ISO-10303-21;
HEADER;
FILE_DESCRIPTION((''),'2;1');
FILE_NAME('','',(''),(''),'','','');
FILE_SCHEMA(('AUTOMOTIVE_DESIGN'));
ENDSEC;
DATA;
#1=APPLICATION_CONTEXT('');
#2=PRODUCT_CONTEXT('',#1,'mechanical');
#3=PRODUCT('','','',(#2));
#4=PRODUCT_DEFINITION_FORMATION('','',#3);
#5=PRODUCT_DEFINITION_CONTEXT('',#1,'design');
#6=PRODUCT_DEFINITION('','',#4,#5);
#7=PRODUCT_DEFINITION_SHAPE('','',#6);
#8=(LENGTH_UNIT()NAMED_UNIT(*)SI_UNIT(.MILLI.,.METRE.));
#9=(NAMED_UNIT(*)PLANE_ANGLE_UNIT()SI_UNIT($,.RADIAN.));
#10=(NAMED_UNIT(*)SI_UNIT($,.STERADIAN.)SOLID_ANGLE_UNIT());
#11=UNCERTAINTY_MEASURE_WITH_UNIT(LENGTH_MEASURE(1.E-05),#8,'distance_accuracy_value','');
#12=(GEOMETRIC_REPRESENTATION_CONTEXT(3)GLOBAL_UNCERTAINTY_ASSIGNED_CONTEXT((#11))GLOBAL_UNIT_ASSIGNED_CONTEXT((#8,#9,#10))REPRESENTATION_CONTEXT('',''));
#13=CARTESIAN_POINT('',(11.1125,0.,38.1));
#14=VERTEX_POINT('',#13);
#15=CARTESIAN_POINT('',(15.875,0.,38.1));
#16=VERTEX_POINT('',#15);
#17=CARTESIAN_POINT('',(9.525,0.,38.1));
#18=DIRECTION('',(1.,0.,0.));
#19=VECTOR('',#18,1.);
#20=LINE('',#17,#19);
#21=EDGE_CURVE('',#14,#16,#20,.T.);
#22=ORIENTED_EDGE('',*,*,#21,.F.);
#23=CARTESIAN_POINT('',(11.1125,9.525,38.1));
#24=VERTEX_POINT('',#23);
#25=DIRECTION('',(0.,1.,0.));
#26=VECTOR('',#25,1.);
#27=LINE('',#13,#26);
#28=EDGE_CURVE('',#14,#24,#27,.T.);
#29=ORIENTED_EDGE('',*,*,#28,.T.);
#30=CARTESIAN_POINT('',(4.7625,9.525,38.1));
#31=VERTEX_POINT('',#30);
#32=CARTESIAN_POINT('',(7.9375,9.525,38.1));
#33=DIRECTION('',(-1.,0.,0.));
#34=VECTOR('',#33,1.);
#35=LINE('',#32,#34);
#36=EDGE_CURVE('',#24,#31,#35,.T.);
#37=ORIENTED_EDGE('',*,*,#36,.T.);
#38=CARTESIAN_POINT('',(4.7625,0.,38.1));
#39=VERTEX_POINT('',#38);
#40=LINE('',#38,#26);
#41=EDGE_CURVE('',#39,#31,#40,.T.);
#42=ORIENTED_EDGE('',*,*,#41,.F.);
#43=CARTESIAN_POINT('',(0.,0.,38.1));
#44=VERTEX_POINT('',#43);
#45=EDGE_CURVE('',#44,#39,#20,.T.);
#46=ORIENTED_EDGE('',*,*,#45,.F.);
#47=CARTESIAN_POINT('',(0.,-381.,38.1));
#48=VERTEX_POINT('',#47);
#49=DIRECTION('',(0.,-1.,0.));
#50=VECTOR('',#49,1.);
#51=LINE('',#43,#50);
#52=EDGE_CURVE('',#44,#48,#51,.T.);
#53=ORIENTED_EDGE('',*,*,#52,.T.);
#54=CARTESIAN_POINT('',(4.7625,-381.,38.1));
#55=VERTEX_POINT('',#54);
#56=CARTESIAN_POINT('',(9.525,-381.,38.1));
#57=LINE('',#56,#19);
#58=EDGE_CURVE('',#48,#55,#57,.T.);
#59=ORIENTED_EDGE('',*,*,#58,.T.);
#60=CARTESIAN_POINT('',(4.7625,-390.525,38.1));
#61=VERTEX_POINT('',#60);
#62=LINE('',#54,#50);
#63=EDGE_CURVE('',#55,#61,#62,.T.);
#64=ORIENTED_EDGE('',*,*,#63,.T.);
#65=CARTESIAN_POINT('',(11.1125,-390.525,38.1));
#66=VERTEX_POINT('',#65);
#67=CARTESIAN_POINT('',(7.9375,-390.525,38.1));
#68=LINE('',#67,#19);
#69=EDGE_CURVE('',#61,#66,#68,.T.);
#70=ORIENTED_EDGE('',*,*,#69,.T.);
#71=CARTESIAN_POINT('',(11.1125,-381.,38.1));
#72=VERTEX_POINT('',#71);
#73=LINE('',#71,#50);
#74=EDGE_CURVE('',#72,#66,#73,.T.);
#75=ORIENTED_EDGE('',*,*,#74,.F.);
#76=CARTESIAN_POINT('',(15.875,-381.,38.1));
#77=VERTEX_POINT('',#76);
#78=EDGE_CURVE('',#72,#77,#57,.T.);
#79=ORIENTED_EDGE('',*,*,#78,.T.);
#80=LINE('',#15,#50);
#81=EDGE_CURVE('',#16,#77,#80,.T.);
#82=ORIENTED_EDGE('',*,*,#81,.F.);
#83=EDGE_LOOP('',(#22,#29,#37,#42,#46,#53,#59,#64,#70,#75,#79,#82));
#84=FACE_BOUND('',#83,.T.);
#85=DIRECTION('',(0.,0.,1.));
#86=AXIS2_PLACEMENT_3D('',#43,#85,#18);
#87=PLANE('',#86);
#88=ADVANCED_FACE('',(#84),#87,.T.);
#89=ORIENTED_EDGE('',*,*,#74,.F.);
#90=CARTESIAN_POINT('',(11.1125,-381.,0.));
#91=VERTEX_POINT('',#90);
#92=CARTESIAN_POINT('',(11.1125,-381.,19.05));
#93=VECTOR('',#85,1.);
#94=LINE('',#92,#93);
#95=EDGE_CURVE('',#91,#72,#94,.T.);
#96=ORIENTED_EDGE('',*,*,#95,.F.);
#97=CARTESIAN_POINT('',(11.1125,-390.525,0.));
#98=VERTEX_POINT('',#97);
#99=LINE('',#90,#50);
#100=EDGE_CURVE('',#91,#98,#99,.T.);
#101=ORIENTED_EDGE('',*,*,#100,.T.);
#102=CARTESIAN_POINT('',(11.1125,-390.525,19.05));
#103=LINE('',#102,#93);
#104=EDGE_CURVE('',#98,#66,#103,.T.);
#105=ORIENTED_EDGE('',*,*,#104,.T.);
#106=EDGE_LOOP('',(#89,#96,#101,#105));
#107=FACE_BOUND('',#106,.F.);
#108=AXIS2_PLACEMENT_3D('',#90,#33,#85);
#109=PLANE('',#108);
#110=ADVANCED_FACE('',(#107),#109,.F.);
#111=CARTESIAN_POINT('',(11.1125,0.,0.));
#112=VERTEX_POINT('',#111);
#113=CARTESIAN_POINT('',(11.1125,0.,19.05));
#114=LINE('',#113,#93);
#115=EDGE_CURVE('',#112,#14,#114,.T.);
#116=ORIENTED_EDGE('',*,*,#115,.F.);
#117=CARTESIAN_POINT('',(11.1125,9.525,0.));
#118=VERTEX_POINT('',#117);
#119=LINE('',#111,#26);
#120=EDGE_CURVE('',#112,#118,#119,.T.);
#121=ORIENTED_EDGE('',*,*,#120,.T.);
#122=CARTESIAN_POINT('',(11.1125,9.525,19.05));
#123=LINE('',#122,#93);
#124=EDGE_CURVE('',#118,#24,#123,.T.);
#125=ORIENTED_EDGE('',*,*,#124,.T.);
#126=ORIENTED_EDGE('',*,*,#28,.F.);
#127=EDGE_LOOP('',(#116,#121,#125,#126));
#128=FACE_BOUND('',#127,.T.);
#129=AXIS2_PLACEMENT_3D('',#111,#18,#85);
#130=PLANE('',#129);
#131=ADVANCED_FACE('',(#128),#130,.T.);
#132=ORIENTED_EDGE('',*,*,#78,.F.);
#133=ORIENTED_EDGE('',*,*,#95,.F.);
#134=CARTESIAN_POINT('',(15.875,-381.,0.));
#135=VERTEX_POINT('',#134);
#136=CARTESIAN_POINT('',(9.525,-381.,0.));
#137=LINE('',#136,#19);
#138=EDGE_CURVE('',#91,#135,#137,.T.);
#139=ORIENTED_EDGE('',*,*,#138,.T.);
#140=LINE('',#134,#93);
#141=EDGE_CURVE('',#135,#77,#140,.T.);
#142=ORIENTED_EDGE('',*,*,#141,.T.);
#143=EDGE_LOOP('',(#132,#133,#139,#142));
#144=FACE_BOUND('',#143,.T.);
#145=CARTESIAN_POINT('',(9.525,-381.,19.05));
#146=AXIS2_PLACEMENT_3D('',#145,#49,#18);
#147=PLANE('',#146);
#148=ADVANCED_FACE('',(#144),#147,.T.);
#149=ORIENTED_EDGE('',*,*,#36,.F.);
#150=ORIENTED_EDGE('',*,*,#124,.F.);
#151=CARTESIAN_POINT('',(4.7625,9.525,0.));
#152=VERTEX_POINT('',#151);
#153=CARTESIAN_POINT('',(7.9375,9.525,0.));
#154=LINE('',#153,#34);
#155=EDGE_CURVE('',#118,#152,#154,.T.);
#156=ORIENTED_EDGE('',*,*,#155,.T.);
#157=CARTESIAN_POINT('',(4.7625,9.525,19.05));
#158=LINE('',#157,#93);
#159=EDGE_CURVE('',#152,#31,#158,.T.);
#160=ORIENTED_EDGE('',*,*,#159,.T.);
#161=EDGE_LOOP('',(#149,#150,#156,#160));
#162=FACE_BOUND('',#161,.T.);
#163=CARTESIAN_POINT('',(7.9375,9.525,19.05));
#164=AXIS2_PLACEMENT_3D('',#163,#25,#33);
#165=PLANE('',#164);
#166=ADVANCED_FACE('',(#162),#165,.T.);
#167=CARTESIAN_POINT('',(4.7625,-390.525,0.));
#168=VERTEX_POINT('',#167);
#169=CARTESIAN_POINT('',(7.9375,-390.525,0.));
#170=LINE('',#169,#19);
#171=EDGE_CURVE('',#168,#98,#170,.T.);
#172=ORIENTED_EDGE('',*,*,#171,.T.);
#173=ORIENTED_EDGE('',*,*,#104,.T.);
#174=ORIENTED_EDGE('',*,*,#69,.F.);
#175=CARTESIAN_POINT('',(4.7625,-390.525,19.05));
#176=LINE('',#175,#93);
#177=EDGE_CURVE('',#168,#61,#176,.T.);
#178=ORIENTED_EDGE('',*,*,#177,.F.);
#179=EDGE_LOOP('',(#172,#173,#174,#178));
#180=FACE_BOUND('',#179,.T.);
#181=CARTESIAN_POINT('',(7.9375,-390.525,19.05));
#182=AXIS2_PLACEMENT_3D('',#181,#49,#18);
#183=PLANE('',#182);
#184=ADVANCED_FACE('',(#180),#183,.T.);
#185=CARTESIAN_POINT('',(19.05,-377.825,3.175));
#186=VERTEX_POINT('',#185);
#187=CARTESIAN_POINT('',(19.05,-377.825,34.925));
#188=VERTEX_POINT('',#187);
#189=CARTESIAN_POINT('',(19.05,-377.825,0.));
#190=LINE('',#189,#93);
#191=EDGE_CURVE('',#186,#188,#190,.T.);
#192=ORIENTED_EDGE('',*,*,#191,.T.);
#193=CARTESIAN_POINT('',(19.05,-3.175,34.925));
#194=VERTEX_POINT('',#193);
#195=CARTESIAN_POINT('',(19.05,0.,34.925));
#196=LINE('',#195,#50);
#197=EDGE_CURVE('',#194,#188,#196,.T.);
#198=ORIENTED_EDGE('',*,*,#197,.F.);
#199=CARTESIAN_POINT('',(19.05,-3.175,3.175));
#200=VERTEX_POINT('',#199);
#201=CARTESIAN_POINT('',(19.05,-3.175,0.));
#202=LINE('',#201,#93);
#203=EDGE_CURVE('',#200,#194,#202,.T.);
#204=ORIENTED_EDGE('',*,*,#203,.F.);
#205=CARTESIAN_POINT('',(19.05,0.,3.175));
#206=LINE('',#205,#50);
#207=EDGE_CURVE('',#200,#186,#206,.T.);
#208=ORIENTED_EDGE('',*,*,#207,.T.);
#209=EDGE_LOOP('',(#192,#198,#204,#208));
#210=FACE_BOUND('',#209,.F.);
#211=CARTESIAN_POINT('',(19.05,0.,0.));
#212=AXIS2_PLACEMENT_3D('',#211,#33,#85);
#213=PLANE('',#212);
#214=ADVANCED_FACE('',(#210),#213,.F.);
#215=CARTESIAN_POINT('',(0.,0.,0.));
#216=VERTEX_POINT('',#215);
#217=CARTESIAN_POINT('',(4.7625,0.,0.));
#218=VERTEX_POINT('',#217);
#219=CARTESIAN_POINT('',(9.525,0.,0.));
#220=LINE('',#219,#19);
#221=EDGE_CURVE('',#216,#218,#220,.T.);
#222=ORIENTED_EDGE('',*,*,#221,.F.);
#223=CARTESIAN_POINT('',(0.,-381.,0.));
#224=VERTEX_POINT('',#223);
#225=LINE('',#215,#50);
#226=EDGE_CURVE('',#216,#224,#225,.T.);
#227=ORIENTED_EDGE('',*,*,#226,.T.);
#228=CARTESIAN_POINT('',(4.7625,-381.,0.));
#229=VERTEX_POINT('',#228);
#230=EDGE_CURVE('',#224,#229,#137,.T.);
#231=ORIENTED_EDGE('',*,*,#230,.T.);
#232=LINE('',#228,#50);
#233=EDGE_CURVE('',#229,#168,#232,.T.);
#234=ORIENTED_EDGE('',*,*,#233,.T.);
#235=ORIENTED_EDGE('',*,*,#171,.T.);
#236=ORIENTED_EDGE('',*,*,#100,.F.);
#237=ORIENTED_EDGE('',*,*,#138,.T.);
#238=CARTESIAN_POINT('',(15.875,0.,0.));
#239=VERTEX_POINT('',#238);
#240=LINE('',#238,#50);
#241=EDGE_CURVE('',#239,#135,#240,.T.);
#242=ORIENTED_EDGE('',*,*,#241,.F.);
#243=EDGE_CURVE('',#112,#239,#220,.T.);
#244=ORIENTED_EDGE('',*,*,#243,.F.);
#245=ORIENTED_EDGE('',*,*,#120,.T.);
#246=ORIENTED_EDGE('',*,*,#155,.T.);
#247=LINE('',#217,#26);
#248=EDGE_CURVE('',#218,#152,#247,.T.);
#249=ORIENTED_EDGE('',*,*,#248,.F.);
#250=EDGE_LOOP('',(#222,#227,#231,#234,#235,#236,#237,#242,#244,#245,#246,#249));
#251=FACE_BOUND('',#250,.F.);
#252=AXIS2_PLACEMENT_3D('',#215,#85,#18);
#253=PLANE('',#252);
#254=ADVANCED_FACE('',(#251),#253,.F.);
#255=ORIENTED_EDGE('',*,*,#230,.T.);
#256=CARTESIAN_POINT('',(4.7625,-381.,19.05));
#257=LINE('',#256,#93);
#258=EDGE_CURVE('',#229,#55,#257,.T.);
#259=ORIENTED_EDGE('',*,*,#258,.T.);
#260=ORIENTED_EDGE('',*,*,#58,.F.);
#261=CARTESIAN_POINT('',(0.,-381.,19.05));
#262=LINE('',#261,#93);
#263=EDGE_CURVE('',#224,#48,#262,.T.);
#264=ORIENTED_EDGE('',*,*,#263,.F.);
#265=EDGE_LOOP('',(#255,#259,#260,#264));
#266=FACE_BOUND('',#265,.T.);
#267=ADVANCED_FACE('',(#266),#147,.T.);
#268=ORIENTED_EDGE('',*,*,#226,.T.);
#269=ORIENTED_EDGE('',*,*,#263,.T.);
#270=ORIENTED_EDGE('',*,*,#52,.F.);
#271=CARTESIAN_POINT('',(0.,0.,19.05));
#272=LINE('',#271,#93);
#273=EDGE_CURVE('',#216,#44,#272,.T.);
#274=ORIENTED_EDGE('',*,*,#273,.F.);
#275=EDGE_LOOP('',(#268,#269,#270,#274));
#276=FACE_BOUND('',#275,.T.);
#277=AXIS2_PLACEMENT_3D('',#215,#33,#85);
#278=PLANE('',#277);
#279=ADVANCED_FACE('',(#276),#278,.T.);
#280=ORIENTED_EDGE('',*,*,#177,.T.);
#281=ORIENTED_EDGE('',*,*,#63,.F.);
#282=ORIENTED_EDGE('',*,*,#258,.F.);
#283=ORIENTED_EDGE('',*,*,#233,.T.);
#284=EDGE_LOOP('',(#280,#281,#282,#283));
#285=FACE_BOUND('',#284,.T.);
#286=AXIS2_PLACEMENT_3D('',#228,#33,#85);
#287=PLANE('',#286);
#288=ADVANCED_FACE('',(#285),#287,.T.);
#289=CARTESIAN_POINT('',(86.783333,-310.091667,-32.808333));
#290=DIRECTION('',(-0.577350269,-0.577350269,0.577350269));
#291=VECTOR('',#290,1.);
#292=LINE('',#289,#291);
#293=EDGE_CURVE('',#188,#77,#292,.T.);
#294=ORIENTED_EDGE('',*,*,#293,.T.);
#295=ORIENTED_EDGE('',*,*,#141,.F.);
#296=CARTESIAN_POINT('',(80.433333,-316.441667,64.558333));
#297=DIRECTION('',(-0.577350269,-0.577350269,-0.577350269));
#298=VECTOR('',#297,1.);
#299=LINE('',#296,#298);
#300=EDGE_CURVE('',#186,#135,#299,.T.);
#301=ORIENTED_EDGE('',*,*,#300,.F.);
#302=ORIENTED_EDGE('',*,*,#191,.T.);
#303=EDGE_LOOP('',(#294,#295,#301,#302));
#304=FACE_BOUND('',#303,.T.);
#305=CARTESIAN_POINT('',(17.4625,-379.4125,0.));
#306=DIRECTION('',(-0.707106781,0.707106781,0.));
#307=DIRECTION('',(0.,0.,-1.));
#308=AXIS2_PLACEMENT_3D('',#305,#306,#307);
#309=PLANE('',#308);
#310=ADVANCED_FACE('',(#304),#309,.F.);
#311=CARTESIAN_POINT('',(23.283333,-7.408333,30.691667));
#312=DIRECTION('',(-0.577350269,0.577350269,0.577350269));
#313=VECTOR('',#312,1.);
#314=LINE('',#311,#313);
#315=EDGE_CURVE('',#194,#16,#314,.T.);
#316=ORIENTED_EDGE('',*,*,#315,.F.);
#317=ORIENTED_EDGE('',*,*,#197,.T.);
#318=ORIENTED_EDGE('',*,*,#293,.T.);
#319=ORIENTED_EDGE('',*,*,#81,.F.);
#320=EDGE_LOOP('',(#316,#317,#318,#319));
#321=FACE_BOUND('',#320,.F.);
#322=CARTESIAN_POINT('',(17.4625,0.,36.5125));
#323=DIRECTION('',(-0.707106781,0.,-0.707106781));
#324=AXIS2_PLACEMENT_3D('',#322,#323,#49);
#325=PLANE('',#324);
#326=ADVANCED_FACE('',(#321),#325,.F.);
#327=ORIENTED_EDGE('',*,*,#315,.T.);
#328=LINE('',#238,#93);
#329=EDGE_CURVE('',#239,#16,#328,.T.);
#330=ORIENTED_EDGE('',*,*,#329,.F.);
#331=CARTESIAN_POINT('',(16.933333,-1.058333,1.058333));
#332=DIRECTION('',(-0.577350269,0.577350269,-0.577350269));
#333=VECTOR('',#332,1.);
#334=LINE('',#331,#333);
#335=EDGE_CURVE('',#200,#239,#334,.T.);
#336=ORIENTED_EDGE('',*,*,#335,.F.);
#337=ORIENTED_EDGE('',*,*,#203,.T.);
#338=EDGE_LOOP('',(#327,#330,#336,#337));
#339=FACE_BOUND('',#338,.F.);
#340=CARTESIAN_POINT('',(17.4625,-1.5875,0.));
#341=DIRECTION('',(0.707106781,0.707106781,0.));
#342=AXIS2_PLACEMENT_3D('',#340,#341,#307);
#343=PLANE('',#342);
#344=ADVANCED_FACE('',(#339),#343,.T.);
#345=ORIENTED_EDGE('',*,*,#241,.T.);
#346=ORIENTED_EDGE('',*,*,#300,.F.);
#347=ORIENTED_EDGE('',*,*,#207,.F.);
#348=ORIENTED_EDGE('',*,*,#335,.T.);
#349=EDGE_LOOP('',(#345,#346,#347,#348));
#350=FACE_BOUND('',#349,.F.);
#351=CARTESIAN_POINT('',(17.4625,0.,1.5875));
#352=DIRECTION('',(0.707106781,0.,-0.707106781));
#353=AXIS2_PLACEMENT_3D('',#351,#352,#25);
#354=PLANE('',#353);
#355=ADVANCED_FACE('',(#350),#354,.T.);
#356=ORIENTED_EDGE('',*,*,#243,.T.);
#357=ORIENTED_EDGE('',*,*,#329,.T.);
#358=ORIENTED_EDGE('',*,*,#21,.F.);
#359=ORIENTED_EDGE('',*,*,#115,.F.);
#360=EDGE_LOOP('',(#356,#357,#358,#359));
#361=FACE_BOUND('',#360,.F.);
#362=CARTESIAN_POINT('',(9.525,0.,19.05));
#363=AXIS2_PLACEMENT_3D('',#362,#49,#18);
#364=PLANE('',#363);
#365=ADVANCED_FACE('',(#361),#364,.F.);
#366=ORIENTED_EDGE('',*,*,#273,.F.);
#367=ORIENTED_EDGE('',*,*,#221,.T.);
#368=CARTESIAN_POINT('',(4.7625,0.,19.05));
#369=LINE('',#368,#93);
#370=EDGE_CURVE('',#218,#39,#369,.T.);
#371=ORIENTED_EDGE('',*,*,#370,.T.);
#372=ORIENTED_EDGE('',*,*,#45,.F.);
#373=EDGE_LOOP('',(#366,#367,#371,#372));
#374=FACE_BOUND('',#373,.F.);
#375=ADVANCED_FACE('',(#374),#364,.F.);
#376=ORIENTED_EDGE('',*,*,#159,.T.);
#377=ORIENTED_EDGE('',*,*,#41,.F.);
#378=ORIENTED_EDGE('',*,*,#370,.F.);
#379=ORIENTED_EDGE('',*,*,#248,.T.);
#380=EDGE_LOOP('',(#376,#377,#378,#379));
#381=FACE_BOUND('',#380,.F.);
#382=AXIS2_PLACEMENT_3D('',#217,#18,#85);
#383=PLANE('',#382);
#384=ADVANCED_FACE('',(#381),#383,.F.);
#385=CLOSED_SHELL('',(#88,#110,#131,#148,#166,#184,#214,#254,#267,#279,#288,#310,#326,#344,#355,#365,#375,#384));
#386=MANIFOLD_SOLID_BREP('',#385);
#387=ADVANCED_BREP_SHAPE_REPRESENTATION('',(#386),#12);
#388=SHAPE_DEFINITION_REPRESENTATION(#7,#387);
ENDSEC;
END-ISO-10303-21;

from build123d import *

# Parameters (mm, degrees)
F0_W     = 19.05
F0_H     = 38.1
F1_DEPTH = 381
F2_SIZE  = 3.175
F3_W     = 6.35
F3_H     = 38.1
F4_DEPTH = 9.525
F5_W     = 6.35
F5_H     = 38.1
F6_DEPTH = 9.525


with BuildPart() as f1:
    # F0 (on Front) → F1 (new body)
    with BuildSketch(Plane.XZ):
        with Locations((9.525, 19.05)):
            Rectangle(F0_W, F0_H)
    extrude(amount=F1_DEPTH)

    # F2
    f2_edges = [f1.edges().sort_by_distance(p)[0] for p in [
        (19.05, -190.5, 38.1),
        (19.05, -381, 19.05),
        (19.05, 0, 19.05),
        (19.05, -190.5, 0),
    ]]
    chamfer(f2_edges, length=F2_SIZE)

    # F3 (on face) → F4 (join)
    with BuildSketch(Plane.XZ.offset(381)):
        with Locations((7.9375, 19.05)):
            Rectangle(F3_W, F3_H)
    extrude(amount=F4_DEPTH)

    # F5 (on face) → F6 (join)
    with BuildSketch(Plane(origin=(0, 0, 0), x_dir=(-1, 0, 0), z_dir=(0, 1, 0))):
        with Locations((-7.9375, 19.05)):
            Rectangle(F5_W, F5_H)
    extrude(amount=F6_DEPTH)


solid = f1.part
